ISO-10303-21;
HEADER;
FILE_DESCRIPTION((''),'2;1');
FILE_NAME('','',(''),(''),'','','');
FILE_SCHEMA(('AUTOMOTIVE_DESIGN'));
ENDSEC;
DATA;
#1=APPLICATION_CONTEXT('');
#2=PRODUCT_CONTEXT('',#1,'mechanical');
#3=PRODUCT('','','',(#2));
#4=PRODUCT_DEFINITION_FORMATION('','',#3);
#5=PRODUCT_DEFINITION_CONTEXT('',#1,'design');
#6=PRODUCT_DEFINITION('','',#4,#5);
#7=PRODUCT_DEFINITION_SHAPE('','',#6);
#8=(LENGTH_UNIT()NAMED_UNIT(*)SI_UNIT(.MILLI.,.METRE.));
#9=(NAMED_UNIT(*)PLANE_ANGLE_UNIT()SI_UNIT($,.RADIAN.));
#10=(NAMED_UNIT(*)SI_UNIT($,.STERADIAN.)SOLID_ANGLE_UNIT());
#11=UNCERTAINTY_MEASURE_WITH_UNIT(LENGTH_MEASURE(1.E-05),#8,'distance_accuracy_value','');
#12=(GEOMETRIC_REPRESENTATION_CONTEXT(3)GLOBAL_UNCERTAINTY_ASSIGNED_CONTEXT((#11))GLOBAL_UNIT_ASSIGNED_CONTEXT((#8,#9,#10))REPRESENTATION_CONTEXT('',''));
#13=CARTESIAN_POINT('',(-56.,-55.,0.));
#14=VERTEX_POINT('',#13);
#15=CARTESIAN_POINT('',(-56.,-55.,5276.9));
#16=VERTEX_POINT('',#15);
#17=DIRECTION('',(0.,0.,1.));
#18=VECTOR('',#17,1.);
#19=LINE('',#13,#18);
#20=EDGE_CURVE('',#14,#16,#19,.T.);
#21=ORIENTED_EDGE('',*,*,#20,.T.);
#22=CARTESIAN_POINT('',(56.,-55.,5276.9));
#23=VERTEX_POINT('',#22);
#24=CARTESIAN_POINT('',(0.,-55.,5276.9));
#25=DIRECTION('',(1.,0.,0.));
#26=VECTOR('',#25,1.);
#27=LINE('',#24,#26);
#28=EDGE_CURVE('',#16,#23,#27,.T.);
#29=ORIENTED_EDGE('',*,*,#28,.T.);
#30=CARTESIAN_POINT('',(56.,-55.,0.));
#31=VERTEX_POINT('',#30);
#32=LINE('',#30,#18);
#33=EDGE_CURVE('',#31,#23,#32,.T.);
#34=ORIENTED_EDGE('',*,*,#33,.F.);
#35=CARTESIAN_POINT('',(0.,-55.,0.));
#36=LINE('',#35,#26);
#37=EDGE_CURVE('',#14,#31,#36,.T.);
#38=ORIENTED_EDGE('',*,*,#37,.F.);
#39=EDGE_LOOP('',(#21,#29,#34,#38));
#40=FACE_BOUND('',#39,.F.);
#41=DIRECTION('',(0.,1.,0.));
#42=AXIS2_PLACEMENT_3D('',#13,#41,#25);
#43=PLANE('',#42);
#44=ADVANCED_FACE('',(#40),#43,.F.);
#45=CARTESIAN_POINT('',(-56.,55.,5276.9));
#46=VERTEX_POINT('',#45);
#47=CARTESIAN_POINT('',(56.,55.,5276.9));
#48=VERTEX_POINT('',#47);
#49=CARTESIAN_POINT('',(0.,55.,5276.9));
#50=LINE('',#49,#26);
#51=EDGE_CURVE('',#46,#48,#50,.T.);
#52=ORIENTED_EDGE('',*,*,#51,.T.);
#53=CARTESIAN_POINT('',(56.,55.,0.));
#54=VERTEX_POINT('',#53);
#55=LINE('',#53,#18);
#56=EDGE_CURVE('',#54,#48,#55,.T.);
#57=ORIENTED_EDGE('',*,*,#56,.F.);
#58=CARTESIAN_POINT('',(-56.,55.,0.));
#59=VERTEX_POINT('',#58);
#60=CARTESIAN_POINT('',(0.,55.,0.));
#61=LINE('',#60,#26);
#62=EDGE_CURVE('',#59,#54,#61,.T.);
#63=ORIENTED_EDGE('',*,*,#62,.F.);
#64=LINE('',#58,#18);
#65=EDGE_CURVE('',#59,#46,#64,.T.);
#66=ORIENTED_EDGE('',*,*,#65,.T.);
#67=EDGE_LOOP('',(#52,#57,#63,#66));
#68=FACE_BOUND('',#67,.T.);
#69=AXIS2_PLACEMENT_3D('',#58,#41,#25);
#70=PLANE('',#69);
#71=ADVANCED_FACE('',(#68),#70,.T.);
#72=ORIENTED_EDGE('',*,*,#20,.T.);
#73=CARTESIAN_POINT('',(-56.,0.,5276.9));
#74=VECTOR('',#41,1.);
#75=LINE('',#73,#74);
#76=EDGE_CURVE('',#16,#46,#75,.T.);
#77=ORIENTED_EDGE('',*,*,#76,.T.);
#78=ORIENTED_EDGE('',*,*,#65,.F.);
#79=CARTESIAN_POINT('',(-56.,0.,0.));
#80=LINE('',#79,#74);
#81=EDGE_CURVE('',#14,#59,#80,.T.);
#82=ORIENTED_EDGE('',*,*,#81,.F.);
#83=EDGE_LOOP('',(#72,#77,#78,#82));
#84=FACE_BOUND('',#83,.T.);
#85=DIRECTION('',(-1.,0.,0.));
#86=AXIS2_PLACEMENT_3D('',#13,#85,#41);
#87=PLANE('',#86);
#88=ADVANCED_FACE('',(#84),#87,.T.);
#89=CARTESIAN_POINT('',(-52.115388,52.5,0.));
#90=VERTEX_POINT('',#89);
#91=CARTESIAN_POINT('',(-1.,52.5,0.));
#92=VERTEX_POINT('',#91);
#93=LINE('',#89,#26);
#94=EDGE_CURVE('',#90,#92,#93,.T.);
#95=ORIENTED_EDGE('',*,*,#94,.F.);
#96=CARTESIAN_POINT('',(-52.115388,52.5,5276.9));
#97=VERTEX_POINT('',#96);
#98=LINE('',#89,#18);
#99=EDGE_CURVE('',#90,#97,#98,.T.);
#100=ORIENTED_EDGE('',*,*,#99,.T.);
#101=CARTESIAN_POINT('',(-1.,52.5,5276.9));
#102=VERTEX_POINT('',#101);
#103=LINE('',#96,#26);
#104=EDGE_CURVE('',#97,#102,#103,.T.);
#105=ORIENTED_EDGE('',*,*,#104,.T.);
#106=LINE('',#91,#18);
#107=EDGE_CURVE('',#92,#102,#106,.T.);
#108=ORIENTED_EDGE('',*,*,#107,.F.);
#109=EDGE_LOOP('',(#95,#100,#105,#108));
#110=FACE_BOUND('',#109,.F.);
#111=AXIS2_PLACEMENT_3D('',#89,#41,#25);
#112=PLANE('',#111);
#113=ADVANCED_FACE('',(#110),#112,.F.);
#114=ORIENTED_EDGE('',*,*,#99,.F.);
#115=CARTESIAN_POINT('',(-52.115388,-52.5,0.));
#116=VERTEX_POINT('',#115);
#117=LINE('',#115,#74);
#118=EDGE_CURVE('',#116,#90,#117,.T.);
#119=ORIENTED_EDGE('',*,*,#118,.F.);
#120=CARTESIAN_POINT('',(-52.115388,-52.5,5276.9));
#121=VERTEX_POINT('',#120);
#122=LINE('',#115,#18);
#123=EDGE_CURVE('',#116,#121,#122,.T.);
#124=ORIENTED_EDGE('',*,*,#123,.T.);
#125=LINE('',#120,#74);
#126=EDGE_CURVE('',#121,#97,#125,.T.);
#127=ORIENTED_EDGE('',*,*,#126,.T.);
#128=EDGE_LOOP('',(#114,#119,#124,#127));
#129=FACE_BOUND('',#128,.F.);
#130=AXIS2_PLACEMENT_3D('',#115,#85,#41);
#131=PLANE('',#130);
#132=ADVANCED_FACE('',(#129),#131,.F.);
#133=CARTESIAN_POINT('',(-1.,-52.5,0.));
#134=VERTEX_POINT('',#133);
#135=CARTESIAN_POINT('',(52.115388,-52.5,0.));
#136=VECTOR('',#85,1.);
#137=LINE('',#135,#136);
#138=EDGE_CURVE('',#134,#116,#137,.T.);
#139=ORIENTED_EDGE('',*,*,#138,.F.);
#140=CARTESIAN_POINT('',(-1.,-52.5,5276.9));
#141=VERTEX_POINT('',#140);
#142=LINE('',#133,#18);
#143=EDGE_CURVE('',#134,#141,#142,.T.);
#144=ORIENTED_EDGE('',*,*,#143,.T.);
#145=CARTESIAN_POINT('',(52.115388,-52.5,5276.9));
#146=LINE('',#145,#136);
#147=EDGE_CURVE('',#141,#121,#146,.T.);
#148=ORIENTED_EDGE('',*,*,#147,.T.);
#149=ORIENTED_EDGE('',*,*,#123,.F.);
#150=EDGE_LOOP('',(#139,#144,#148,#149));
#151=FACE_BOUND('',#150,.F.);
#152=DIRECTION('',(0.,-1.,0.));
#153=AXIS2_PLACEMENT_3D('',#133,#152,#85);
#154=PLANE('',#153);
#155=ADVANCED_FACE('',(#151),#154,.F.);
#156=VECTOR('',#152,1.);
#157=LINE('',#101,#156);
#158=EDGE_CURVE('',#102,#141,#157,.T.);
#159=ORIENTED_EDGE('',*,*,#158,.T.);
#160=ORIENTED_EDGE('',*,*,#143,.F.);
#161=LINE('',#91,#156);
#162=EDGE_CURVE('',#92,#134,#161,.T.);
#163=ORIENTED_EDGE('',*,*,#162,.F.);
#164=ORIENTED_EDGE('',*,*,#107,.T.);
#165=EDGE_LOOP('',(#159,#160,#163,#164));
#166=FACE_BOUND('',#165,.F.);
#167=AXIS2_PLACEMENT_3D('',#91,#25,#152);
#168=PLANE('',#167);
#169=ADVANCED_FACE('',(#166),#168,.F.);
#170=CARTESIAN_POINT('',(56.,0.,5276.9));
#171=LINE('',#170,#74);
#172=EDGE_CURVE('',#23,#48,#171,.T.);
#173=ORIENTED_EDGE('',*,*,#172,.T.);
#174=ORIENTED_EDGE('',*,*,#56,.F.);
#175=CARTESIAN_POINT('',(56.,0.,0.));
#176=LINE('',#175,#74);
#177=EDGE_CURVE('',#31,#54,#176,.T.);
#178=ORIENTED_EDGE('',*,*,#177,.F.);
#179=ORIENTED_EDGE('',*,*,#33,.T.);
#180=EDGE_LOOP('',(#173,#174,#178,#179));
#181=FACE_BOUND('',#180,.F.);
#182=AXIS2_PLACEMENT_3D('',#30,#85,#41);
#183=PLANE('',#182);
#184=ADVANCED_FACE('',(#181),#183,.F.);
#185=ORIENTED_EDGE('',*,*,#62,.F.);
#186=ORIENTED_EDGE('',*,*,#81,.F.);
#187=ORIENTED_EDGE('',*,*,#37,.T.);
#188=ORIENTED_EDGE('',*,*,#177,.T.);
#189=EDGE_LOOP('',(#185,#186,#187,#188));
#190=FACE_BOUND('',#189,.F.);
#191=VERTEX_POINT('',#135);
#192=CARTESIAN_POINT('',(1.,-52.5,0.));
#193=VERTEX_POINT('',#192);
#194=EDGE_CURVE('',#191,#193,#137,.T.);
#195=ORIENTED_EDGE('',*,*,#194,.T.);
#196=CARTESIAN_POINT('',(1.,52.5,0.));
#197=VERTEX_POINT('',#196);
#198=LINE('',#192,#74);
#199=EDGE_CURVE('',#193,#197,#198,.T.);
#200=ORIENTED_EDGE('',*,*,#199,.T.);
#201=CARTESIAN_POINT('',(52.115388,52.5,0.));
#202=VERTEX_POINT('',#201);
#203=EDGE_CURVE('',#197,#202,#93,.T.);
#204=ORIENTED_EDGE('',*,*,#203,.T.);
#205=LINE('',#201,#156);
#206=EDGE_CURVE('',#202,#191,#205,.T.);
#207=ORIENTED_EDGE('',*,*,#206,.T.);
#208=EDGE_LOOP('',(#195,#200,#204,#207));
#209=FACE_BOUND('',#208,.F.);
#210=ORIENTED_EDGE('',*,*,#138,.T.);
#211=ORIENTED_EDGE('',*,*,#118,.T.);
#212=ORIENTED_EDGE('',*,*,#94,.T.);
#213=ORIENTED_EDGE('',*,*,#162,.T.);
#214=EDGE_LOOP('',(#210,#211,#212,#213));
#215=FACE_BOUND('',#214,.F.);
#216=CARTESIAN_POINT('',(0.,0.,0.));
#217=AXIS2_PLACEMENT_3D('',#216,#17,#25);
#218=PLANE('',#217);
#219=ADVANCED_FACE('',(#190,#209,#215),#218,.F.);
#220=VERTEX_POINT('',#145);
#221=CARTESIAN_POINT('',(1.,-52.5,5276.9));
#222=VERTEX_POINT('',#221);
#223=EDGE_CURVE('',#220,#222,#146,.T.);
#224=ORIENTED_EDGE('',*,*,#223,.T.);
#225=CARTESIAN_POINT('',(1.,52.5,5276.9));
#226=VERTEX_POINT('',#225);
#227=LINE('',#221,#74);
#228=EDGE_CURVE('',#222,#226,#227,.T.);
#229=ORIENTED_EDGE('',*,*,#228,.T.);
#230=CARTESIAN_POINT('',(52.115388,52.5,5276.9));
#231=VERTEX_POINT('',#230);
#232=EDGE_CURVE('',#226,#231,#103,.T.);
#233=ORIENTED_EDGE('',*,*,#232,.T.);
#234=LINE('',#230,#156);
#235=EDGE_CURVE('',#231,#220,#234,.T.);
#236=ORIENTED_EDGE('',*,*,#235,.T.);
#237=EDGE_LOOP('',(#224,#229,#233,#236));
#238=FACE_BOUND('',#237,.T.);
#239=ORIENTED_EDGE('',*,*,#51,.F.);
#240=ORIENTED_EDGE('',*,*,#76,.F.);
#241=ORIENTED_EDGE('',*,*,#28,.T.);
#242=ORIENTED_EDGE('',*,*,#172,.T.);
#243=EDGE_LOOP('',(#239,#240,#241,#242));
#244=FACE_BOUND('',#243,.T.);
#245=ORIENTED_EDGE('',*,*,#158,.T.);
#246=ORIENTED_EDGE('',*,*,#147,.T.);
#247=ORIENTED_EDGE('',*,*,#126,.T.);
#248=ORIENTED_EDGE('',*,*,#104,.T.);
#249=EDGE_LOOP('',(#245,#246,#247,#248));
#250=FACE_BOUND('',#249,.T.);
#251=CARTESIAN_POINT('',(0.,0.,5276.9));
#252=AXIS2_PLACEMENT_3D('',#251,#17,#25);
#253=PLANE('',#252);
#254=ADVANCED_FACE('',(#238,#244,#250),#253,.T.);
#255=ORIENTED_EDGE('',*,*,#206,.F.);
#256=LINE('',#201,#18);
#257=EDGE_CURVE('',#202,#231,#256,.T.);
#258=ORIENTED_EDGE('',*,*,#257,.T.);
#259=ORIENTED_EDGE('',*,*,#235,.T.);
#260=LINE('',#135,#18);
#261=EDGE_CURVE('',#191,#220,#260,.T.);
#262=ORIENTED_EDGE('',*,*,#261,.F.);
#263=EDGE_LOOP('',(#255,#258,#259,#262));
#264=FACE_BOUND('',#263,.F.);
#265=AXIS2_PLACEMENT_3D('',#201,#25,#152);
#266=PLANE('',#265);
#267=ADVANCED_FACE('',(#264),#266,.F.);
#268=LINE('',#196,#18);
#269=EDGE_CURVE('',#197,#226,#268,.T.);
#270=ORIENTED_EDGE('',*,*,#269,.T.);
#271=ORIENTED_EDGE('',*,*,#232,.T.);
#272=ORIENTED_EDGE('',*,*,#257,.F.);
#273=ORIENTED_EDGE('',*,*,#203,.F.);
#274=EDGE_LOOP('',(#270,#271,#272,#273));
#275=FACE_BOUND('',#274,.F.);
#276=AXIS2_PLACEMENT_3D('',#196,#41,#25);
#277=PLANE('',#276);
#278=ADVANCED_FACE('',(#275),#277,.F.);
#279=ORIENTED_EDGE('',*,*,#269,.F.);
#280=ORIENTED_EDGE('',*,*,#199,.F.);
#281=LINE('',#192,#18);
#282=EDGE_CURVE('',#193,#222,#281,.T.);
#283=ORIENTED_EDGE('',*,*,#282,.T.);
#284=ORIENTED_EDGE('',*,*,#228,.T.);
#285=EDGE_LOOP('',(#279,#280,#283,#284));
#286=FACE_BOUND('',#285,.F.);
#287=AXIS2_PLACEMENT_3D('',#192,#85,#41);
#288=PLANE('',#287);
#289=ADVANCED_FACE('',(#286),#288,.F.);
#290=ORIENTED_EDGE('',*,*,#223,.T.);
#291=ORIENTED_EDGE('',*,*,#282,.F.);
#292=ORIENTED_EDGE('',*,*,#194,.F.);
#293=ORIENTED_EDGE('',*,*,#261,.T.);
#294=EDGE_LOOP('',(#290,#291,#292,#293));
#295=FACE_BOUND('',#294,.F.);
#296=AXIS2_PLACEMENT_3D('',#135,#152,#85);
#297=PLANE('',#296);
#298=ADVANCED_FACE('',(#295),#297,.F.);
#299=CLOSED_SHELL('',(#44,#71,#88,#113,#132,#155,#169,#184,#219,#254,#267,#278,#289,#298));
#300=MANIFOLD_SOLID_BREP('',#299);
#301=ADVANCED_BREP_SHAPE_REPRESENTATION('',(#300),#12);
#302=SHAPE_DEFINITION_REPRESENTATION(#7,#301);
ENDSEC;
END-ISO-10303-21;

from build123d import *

# Parameters (mm, degrees)
F0_W     = 112
F0_H     = 110
F1_DEPTH = 5276.9


with BuildPart() as f1:
    # F0 (on Top) → F1 (new body)
    with BuildSketch(Plane.XY):
        Rectangle(F0_W, F0_H)
        Polygon((-52.1153882146, -52.5), (-52.1153882146, 52.5), (-1, 52.5), (1, 52.5), (52.1153882146, 52.5), (52.1153882146, -52.5), (1, -52.5), (0, -52.5), (-1, -52.5), align=None, mode=Mode.SUBTRACT)
        Polygon((1, 52.5), (-1, 52.5), (-1, -52.5), (0, -52.5), (1, -52.5), align=None)
    extrude(amount=F1_DEPTH)


solid = f1.part
